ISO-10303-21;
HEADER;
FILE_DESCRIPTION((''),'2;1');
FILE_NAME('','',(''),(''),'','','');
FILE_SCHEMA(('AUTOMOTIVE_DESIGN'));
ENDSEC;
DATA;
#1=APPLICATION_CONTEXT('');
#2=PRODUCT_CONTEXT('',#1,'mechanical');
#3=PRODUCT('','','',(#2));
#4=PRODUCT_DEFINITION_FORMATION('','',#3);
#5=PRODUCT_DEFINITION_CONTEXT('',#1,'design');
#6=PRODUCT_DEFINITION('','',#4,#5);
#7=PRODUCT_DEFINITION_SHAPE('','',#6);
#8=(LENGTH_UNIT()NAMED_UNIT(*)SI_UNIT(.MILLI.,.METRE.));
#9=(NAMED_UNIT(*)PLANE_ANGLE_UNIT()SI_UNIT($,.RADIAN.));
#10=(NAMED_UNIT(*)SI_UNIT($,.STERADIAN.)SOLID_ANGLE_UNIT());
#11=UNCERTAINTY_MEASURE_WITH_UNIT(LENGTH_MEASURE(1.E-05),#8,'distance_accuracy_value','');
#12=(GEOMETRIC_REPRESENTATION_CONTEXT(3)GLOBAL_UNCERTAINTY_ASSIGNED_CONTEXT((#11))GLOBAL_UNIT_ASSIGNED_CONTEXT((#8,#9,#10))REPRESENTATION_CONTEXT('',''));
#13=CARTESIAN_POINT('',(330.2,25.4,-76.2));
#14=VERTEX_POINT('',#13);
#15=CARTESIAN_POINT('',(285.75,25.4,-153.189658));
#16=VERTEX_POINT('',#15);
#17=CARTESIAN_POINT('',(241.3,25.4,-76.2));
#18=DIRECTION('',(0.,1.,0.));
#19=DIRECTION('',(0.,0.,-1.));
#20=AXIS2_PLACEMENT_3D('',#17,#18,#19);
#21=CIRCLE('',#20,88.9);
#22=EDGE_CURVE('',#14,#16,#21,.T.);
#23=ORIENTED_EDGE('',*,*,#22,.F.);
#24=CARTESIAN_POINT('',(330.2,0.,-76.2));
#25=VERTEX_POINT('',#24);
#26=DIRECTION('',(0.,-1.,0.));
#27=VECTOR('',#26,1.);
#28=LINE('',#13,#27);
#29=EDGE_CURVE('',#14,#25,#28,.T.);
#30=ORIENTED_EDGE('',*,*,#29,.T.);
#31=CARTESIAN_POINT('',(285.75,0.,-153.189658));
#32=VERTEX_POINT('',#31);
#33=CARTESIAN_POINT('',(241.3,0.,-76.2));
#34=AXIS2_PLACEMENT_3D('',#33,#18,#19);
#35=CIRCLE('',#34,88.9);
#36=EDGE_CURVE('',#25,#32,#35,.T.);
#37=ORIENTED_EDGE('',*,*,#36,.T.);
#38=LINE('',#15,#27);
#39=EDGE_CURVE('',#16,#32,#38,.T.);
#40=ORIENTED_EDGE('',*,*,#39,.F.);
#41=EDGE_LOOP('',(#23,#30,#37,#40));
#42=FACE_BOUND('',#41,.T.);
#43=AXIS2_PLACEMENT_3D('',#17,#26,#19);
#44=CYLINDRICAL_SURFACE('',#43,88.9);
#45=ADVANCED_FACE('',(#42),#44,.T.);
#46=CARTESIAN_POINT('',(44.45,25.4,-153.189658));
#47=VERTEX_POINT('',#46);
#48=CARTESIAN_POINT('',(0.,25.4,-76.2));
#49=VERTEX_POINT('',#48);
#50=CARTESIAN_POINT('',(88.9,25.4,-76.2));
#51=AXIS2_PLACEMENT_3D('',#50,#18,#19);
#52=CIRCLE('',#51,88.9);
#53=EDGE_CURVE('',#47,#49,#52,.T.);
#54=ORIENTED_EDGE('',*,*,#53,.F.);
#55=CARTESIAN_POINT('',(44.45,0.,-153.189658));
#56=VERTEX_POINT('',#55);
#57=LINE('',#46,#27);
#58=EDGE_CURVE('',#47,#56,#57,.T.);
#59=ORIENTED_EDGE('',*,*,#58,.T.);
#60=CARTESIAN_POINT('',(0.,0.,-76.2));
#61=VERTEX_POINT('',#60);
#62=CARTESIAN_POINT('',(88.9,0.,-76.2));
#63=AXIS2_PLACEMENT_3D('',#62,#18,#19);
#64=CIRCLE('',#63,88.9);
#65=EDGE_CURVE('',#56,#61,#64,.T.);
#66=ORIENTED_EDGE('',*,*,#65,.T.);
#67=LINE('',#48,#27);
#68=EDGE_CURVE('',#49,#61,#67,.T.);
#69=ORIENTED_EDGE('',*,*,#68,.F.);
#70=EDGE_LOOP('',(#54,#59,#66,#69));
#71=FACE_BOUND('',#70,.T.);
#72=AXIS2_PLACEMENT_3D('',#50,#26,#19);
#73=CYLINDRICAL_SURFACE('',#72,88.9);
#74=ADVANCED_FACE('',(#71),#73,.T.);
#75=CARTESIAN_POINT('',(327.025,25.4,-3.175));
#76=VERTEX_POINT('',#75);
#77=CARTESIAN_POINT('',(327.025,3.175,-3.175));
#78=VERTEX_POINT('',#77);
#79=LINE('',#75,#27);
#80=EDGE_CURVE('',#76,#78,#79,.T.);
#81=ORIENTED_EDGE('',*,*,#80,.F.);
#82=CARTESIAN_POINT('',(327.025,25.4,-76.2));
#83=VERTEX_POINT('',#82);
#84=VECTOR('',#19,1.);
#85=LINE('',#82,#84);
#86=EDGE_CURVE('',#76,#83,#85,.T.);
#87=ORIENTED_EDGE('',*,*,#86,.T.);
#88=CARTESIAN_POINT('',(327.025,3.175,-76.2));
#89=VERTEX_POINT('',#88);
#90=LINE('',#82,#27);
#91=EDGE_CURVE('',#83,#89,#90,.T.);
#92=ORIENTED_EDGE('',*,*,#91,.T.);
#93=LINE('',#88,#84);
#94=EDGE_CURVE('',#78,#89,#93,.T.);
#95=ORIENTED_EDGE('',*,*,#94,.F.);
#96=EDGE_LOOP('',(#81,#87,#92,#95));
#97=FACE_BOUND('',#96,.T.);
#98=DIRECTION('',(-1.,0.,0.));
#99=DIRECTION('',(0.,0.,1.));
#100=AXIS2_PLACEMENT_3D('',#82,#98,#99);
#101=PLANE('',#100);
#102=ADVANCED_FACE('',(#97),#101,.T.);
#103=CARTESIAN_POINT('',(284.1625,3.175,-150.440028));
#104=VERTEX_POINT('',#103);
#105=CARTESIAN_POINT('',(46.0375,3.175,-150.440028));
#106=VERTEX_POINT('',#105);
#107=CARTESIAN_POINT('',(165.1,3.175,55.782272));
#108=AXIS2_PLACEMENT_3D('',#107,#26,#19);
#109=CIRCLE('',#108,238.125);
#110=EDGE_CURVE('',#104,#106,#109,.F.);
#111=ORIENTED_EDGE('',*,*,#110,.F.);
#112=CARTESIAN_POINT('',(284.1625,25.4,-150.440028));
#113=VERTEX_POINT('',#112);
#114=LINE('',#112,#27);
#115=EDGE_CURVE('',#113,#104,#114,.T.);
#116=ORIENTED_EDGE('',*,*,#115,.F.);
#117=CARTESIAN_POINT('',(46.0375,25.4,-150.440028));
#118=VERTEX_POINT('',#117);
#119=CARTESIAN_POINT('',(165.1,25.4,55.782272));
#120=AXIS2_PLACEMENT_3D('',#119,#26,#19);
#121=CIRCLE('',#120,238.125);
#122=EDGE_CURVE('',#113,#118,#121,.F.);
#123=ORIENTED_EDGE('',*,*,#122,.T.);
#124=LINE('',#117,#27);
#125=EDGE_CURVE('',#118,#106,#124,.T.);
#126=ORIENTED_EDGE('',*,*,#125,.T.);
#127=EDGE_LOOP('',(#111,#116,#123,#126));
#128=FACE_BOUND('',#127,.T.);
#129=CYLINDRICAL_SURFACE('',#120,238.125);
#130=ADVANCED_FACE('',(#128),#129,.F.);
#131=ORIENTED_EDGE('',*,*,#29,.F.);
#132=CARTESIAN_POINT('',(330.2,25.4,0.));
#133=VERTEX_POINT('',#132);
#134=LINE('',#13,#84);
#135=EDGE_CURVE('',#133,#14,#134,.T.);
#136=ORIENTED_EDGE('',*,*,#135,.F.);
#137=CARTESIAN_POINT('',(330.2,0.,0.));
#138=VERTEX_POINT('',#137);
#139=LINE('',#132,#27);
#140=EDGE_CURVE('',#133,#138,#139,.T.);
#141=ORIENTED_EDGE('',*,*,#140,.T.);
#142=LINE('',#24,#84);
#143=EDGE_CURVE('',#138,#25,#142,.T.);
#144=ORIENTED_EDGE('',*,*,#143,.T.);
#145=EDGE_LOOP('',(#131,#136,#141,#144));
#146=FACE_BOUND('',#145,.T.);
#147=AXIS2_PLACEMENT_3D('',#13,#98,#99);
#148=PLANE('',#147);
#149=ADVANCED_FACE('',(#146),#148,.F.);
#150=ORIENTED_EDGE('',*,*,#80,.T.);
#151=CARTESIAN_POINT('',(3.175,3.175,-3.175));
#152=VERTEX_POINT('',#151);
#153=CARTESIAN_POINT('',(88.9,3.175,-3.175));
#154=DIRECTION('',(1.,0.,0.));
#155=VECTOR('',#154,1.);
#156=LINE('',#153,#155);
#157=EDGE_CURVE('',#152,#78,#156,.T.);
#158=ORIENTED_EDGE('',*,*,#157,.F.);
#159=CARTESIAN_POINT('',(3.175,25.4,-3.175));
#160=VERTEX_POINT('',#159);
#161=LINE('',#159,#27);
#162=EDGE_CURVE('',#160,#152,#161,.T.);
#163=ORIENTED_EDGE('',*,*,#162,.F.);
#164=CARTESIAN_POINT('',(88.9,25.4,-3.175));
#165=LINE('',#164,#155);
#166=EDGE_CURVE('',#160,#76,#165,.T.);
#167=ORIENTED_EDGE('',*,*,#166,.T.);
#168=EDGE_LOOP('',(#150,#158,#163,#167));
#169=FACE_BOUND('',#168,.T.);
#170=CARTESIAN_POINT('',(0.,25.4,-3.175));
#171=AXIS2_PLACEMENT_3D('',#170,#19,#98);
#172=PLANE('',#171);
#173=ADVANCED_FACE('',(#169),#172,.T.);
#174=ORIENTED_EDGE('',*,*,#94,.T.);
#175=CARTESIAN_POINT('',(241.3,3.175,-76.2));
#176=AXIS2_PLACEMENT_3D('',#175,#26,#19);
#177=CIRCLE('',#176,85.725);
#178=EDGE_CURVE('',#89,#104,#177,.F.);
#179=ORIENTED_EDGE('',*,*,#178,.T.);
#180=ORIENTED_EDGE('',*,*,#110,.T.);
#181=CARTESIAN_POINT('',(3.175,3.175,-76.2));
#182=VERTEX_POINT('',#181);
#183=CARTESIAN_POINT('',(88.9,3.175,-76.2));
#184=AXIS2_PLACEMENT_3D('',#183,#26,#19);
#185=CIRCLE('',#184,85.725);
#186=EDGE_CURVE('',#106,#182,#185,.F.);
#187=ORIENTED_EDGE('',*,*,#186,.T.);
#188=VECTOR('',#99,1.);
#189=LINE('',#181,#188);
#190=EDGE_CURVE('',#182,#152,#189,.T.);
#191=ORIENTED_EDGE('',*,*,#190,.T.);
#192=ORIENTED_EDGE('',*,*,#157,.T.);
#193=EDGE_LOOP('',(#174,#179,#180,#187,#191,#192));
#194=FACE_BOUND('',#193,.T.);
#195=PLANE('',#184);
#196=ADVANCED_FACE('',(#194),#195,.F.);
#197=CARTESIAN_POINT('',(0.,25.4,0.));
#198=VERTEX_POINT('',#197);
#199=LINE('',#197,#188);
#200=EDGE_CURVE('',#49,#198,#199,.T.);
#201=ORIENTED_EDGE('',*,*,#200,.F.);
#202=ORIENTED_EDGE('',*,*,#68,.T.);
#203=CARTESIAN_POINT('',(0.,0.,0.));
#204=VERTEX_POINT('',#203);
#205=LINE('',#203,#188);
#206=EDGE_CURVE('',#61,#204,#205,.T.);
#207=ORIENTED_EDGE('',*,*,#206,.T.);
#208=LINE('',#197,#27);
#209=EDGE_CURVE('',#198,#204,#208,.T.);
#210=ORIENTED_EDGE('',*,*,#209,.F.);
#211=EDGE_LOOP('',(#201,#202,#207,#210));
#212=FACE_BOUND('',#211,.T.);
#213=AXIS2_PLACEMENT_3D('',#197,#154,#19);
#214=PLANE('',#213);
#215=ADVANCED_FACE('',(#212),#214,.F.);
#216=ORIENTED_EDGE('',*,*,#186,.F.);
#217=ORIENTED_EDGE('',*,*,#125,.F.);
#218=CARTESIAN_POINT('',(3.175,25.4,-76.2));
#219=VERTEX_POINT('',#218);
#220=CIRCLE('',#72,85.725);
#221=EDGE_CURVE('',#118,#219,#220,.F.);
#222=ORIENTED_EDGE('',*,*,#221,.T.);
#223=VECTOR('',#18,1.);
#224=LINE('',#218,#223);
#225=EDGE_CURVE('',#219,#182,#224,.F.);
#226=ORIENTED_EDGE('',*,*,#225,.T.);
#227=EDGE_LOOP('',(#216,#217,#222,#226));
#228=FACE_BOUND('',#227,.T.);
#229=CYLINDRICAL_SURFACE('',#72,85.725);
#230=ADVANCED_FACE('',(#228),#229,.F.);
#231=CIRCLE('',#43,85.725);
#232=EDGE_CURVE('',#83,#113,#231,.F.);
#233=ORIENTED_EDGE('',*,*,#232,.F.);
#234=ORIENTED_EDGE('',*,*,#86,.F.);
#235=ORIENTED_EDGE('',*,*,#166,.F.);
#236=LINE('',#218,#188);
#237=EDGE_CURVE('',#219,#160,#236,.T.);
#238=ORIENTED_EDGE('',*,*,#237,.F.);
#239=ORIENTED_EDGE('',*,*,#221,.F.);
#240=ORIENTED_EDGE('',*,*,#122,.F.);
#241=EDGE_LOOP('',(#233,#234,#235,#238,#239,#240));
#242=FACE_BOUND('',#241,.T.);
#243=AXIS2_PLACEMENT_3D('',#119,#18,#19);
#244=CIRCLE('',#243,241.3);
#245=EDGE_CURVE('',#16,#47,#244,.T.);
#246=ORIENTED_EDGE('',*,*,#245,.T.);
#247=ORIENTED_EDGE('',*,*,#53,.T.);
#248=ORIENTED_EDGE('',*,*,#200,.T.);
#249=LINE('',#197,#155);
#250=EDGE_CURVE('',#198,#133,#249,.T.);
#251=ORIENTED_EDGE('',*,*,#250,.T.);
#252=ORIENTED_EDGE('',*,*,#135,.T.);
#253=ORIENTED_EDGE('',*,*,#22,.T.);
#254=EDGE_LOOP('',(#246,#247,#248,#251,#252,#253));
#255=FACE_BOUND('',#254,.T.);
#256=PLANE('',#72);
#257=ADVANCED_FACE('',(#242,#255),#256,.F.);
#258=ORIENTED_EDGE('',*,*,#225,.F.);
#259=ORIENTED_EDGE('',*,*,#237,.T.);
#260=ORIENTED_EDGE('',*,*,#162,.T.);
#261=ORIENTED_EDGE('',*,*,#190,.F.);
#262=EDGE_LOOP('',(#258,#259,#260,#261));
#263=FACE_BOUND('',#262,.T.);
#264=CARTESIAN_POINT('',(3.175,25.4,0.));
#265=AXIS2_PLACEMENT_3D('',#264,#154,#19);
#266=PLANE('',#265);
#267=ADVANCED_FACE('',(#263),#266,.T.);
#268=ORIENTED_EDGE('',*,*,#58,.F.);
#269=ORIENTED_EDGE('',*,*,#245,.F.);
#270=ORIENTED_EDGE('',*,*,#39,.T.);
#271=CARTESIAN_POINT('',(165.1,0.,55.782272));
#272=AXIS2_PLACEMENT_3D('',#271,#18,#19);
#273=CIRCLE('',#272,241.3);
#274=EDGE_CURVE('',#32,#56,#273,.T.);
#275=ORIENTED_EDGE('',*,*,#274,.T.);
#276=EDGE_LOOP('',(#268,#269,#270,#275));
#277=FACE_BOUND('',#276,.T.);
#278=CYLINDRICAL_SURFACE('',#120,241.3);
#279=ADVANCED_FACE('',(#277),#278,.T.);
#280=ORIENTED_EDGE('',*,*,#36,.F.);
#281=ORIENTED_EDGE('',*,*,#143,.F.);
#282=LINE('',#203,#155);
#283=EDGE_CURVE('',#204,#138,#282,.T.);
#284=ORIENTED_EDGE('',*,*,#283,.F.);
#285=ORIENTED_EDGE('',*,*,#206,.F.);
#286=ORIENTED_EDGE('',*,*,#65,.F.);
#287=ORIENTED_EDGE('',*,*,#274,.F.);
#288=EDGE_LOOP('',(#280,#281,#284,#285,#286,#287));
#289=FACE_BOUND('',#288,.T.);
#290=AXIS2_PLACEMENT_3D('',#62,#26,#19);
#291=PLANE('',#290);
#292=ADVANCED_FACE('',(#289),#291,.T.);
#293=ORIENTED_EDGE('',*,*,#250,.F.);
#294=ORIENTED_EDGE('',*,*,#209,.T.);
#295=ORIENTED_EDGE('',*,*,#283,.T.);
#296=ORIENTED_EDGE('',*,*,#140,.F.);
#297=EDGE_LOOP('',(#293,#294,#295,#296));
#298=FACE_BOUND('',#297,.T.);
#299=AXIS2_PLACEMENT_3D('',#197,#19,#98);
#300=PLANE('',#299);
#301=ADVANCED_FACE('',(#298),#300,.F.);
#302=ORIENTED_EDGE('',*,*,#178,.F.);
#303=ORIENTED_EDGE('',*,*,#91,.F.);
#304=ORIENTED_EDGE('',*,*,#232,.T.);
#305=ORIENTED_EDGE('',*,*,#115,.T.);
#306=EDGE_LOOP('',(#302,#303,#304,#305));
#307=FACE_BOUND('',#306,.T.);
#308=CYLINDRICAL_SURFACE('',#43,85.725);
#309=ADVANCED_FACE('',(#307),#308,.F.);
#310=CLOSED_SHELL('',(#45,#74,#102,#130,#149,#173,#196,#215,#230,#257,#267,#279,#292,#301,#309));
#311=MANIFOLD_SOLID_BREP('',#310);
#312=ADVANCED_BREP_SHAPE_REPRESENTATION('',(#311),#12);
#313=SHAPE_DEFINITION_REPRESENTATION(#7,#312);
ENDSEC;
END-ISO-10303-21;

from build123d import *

# Parameters (mm, degrees)
BOSS_EXTRUDE1_DEPTH = 25.4
SHELL1_T            = -3.175


with BuildPart() as part:
    # Sketch1 → Boss-Extrude1 (new body)
    with BuildSketch(Plane(origin=(0, 0, 0), x_dir=(1, 0, 0), z_dir=(0, 1, 0))):
        with BuildLine():
            Line((0, 0), (330.2, 0))
            Line((330.2, 0), (330.2, 76.2))
            ThreePointArc((330.2, 76.2), (318.289658396, 120.65), (285.75, 153.189658396))
            ThreePointArc((285.75, 153.189658396), (165.1, 185.517728463), (44.45, 153.189658396))
            ThreePointArc((44.45, 153.189658396), (11.910341604, 120.65), (0, 76.2))
            Line((0, 76.2), (0, 0))
        make_face()
    extrude(amount=BOSS_EXTRUDE1_DEPTH)

    # Shell1
    shell1_openings = [part.faces().sort_by_distance(p)[0] for p in [
        (165.1, 25.4, -83.209110685),
    ]]
    offset(amount=SHELL1_T, openings=shell1_openings, kind=Kind.INTERSECTION)


solid = part.part
